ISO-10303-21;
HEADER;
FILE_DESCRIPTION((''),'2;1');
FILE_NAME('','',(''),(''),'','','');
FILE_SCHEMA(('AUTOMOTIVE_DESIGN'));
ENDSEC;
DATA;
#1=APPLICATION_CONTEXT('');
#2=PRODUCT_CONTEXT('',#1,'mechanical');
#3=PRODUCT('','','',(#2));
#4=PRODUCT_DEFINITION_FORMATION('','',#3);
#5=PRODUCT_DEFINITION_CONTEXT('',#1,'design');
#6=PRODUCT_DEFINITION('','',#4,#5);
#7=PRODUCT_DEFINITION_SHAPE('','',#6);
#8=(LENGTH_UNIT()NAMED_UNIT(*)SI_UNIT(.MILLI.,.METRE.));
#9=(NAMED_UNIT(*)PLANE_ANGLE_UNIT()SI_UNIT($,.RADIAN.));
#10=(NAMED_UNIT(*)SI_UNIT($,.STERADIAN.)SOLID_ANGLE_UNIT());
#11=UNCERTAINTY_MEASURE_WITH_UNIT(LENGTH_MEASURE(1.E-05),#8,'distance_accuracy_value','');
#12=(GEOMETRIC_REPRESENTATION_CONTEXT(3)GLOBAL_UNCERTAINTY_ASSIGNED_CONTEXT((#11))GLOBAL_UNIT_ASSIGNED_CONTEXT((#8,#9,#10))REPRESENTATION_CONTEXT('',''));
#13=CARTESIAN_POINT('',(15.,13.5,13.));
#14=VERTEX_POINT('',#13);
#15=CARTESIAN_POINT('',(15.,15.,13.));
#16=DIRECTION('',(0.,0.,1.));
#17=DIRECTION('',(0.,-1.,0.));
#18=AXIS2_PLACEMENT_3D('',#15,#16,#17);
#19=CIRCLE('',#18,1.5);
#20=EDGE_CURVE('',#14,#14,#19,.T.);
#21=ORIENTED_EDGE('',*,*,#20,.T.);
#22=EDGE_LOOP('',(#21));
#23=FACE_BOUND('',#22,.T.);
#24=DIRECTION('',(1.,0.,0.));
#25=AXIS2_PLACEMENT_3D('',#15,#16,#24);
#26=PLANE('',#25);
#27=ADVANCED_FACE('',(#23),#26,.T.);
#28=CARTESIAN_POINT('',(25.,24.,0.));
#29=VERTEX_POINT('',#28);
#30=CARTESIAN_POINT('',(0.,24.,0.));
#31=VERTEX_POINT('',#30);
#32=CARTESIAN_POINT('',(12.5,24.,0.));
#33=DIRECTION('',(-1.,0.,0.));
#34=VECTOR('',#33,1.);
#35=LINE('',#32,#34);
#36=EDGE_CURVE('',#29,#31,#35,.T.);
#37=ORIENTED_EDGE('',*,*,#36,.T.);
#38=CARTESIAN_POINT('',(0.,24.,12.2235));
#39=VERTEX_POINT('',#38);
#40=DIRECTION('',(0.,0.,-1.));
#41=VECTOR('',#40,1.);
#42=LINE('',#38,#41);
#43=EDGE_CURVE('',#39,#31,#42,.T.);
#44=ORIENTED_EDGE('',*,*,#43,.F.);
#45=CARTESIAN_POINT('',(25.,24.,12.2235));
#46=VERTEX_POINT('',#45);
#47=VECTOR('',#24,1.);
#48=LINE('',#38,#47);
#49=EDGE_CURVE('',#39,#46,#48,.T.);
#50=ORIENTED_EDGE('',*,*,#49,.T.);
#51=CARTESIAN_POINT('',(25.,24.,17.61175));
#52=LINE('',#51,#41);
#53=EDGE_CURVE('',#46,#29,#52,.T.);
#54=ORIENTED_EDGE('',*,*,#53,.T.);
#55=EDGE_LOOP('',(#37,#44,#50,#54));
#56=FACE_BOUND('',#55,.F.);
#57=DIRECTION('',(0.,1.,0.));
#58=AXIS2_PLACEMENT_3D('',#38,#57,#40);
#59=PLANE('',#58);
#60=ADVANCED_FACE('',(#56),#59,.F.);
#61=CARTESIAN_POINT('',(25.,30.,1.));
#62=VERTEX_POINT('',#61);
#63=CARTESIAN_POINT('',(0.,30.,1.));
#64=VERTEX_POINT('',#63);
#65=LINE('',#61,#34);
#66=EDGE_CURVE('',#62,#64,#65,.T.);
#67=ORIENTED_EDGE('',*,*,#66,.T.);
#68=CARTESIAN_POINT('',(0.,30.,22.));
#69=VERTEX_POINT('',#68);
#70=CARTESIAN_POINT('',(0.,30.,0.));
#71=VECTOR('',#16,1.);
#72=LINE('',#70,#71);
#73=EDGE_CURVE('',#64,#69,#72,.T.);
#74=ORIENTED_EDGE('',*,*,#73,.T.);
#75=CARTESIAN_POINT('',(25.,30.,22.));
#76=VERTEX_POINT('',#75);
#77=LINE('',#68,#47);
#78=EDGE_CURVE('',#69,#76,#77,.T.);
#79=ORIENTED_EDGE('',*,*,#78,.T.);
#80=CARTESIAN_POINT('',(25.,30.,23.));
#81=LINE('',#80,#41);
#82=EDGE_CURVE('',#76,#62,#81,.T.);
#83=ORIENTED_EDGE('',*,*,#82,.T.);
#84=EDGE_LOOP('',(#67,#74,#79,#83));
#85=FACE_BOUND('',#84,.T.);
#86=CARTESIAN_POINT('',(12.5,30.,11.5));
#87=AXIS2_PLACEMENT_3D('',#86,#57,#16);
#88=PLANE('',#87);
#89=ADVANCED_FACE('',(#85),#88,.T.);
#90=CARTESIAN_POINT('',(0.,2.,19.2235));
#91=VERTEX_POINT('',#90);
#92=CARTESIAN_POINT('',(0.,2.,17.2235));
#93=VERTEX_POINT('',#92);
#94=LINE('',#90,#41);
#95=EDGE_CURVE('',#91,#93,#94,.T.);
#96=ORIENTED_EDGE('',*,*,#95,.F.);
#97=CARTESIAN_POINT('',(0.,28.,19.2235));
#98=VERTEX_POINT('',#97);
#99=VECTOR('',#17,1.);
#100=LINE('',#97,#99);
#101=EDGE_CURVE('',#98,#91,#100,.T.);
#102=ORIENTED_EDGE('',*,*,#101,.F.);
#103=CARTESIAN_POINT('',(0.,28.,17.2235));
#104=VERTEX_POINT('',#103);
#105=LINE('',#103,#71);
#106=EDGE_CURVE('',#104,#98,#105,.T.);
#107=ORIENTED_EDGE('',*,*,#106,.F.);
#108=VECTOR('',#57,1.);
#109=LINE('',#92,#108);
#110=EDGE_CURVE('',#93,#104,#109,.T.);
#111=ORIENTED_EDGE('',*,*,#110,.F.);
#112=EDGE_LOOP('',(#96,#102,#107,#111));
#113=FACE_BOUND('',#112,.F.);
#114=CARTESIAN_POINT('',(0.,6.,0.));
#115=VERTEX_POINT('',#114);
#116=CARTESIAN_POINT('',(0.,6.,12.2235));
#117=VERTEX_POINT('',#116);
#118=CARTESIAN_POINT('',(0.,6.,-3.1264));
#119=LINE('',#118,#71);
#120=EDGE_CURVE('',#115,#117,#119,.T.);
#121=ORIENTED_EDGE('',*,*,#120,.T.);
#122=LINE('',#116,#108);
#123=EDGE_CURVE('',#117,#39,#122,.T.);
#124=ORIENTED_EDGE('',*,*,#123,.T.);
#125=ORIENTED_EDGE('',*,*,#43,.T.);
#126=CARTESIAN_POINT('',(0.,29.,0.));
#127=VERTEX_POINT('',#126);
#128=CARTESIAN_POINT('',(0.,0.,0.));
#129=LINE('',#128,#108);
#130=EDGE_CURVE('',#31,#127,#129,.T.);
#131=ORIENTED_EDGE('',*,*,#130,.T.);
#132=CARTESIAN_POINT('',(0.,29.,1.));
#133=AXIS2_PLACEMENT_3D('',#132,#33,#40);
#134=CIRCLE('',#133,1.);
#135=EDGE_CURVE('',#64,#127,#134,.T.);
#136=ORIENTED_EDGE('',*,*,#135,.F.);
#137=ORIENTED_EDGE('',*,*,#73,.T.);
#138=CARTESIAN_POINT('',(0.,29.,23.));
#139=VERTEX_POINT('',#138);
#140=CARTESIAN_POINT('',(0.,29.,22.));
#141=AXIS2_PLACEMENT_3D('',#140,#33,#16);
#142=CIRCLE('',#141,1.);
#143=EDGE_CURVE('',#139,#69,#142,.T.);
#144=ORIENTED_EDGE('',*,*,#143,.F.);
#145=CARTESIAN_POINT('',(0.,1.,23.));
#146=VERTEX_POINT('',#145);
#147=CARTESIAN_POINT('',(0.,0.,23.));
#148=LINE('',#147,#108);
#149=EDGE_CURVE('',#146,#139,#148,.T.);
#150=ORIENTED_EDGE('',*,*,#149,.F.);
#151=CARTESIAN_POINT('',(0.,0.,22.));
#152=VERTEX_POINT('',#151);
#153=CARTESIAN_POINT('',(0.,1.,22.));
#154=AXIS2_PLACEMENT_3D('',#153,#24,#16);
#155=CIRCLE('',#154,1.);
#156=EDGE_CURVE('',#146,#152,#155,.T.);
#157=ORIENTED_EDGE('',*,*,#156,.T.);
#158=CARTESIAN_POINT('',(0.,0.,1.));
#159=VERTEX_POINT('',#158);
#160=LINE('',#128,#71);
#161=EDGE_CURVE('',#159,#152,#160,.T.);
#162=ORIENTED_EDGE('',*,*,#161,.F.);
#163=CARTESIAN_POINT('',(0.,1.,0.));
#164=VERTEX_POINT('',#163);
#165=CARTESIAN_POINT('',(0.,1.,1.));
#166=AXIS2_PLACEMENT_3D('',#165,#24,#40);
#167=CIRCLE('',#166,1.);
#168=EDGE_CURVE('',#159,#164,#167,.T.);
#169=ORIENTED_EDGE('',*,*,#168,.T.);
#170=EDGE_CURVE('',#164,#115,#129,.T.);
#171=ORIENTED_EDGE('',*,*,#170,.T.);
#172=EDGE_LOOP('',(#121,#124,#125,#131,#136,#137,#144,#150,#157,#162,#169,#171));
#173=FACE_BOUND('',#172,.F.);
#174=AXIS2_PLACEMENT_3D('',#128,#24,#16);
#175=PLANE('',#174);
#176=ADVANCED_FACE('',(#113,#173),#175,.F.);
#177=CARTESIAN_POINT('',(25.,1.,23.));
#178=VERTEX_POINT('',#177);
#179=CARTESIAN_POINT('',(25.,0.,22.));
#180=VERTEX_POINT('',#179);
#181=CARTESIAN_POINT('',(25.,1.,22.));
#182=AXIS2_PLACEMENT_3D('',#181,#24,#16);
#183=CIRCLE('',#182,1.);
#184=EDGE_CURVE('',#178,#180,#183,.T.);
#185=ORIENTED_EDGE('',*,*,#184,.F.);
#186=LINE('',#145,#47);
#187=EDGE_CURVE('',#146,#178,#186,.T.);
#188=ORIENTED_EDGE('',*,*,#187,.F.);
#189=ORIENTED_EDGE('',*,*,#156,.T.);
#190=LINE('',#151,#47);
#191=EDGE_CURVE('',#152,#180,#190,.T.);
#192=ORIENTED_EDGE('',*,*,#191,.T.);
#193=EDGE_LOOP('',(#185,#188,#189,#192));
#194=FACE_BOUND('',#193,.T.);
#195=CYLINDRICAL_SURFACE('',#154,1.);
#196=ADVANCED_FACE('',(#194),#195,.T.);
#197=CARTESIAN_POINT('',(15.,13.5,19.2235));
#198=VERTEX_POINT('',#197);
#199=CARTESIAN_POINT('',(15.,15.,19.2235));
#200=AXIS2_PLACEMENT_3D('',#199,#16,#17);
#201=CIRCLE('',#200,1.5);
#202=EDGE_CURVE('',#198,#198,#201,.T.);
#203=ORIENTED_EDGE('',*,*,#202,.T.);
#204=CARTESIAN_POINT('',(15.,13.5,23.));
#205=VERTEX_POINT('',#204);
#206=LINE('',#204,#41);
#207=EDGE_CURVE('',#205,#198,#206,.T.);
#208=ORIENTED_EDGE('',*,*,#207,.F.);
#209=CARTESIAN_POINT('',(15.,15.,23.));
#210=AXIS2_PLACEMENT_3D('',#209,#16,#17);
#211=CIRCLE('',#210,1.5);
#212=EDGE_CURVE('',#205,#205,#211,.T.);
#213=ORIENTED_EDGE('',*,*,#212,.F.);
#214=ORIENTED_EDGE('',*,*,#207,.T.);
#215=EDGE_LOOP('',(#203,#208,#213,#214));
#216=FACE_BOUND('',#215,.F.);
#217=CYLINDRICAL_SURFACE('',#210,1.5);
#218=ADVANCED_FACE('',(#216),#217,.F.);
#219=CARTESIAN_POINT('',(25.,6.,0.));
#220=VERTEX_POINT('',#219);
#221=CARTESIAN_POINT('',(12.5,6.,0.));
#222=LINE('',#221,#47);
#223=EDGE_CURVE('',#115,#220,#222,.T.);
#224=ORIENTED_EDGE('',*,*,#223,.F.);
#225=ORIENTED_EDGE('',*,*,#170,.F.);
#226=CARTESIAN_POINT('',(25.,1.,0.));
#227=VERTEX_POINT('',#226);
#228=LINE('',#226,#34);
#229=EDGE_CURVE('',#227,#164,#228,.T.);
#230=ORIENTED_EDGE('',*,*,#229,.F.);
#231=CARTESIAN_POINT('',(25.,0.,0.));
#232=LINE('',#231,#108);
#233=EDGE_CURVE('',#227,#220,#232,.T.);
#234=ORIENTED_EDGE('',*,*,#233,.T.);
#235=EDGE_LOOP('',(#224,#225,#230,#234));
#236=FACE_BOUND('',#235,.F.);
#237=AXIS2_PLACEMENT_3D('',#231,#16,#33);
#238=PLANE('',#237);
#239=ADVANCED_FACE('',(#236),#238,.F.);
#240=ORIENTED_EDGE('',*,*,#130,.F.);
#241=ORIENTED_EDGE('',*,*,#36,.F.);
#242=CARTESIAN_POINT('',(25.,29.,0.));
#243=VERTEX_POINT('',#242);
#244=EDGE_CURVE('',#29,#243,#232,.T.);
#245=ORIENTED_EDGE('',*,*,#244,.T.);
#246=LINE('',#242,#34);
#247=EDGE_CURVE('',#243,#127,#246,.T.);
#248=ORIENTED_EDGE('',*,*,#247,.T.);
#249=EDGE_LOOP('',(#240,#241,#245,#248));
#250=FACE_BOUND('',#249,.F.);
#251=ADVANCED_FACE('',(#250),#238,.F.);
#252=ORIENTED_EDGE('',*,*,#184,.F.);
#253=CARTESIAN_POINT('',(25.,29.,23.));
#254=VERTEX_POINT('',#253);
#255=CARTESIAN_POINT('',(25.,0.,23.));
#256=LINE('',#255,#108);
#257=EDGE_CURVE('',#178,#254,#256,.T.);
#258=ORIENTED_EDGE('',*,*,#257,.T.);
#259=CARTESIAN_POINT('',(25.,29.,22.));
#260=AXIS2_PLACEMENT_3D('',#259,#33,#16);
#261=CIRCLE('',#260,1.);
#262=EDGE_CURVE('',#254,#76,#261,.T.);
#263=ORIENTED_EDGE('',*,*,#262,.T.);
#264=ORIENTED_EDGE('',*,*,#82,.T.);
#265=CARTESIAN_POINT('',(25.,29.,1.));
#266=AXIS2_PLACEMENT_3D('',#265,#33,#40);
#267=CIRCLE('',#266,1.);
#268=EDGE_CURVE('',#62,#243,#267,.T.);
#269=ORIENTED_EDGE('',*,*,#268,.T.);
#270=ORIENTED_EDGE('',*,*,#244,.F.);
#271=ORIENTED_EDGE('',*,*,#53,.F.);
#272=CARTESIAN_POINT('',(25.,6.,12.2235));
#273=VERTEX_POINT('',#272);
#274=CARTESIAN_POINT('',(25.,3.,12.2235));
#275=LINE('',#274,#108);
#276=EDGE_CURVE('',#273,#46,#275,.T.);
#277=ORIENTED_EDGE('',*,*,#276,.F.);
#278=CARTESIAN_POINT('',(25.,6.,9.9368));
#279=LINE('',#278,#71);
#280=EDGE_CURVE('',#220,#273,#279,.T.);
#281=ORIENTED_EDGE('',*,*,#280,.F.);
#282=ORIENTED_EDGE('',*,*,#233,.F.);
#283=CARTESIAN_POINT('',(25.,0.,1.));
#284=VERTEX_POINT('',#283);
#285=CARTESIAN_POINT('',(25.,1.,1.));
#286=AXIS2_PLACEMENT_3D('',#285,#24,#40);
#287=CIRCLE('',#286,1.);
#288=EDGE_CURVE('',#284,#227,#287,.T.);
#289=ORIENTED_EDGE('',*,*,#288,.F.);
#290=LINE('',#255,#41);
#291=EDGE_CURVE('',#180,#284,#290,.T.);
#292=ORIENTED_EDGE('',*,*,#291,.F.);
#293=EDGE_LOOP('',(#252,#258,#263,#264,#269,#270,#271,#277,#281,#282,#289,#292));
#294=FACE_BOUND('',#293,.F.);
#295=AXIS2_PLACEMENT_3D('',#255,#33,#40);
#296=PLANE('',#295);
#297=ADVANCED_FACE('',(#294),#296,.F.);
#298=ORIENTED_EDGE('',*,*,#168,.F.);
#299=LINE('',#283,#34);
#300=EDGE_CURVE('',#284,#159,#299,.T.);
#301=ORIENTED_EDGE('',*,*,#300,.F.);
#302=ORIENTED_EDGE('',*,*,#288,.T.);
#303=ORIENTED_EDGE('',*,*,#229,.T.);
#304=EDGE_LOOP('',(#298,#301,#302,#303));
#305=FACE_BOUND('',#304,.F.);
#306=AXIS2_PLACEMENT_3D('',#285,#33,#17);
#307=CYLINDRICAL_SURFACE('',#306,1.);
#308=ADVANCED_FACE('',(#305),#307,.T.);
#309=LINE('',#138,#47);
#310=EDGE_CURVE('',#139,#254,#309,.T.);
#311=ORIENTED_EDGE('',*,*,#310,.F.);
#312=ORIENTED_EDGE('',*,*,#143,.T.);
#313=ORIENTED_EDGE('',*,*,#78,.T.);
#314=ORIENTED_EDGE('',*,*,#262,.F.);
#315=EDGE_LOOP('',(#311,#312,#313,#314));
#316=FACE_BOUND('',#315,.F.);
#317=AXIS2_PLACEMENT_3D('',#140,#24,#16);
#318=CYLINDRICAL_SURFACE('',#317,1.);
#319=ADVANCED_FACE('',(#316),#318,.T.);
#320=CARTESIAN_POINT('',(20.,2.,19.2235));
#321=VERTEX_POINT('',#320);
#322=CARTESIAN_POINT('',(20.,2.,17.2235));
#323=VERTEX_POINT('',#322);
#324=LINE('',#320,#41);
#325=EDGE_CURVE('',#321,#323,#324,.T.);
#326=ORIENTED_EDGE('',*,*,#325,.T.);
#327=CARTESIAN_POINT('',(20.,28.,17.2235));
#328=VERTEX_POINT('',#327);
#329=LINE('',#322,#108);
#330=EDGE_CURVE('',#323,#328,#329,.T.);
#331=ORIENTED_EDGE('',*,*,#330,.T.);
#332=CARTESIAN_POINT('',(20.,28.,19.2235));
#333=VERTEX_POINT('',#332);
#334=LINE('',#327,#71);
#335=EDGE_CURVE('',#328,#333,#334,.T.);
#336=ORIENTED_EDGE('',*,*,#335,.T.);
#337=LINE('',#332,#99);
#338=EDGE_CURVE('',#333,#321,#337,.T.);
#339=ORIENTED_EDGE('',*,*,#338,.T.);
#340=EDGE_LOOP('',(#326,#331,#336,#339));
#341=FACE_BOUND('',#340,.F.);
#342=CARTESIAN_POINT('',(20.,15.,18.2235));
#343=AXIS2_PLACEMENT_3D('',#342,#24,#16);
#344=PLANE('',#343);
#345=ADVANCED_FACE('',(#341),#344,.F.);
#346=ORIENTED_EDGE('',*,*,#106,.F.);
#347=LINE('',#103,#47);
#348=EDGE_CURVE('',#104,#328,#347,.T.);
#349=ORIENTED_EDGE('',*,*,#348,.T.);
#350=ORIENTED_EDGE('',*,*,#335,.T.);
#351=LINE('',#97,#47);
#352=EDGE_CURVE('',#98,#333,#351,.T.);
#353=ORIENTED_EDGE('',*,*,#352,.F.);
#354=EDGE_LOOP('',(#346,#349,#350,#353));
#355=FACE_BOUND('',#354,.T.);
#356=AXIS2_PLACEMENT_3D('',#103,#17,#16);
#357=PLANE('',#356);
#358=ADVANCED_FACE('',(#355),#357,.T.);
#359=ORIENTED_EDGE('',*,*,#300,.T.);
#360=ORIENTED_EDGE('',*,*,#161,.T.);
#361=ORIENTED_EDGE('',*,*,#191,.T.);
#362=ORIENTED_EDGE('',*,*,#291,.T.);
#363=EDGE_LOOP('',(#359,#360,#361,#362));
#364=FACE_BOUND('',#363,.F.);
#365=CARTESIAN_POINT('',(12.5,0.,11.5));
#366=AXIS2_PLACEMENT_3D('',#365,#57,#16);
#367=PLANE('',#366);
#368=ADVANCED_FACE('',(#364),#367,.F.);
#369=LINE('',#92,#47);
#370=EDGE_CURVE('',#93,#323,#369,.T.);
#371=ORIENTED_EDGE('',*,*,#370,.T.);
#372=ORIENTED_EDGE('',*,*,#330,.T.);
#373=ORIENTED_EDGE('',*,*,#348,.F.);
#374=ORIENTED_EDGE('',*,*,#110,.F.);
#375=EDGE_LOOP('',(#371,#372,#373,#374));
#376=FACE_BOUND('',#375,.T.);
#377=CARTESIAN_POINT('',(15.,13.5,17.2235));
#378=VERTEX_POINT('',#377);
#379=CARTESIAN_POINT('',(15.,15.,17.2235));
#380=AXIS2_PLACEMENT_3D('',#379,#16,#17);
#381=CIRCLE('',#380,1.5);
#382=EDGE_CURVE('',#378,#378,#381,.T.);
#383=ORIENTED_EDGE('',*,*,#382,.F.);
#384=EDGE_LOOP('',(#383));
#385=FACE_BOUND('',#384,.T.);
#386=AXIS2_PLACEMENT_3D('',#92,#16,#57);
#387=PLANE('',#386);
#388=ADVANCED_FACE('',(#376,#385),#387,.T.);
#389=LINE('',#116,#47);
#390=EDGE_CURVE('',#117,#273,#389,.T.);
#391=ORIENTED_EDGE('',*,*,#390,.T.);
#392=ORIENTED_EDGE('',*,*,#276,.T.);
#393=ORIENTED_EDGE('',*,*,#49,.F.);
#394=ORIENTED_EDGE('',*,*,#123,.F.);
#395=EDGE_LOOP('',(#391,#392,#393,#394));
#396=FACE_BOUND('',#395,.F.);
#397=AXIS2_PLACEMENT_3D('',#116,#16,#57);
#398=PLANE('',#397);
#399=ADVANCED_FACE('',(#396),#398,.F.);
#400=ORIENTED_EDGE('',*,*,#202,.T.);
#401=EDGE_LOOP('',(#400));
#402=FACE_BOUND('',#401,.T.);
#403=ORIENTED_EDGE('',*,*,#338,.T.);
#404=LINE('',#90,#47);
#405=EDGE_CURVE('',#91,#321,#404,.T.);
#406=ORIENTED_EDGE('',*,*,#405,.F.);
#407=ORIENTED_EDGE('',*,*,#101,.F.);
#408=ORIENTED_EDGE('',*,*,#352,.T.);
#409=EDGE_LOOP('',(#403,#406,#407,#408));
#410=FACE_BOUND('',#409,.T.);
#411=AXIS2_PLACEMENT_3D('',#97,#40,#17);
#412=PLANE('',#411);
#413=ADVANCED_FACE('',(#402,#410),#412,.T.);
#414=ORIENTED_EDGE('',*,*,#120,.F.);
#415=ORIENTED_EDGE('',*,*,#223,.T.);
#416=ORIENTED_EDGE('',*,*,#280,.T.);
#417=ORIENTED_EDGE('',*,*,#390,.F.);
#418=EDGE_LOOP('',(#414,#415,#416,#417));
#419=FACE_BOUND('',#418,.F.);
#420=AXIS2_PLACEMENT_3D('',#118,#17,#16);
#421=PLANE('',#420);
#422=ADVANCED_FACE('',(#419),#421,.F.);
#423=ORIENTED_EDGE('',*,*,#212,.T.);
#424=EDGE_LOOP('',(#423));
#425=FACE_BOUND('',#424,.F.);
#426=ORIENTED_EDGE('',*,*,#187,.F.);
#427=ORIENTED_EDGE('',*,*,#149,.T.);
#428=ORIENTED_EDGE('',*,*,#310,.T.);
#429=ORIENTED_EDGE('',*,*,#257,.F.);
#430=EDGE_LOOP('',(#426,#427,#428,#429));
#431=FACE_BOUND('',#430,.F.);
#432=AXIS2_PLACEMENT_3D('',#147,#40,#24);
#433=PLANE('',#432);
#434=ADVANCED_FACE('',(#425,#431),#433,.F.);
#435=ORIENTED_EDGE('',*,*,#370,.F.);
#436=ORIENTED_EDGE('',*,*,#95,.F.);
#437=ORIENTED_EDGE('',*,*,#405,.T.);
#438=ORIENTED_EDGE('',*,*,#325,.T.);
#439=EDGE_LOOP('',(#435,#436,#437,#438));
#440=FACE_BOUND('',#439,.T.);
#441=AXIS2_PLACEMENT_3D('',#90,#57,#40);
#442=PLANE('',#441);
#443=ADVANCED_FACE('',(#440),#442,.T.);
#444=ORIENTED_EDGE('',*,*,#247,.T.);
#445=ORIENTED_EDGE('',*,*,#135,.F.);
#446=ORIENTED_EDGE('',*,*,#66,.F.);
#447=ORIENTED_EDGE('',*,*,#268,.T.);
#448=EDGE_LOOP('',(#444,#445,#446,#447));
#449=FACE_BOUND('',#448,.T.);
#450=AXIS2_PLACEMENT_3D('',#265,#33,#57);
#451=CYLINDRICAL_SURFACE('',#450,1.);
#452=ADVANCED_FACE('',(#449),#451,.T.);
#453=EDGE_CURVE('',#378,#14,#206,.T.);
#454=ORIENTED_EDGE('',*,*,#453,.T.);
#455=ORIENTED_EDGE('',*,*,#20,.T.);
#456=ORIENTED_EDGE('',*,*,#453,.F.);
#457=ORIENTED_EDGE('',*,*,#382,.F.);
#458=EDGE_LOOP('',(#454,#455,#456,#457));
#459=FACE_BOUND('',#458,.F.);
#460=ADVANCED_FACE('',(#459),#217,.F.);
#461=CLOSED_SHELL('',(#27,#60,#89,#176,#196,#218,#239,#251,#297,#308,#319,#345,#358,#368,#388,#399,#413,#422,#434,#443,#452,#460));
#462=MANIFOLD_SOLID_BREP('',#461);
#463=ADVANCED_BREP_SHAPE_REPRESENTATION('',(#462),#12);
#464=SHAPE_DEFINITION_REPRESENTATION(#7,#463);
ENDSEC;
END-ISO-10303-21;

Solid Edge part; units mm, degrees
sketch "Sketch1" plane through (0, 0, 0) normal (0, -1, 0) x (1, 0, 0)
  line L0 (0, 23) -> (25, 23)
  line L1 (25, 23) -> (25, 0)
  line L2 (25, 0) -> (0, 0)
  line L3 (0, 0) -> (0, 23)
extrude "Protrusion1" add sketch "Sketch1" against normal blind 30
sketch "Sketch2" plane through (0, 15, 11.5) normal (-1, 0, 0) x (0, -1, 0)
  line L0 (13, 5.7235) -> (-13, 5.7235)
  line L1 (-13, 5.7235) -> (-13, 7.7235)
  line L2 (-13, 7.7235) -> (13, 7.7235)
  line L3 (13, 7.7235) -> (13, 5.7235)
extrude "ExtrudedCutout_2" cut sketch "Sketch2" against normal blind 20
sketch "Sketch3" plane through (12.5, 15, 23) normal (0, 0, 1) x (0, -1, 0)
  circle A0 centre (0, 2.5) radius 1.5
extrude "ExtrudedCutout_3" cut sketch "Sketch3" against normal blind 10
sketch "Sketch4" plane through (0, 15, 11.5) normal (-1, 0, 0) x (0, -1, 0)
  line L0 (9, 0.7235) -> (-9, 0.7235)
  line L1 (-9, 0.7235) -> (-9, -14.6264)
  line L2 (-9, -14.6264) -> (9, -14.6264)
  line L3 (9, -14.6264) -> (9, 0.7235)
extrude "ExtrudedCutout_4" cut sketch "Sketch4" against normal blind 84.6021
fillet "Round_2" radius 1 4 edges at (12.5, 0, 23) (12.5, 0, 0) (12.5, 30, 23) (12.5, 30, 0)
